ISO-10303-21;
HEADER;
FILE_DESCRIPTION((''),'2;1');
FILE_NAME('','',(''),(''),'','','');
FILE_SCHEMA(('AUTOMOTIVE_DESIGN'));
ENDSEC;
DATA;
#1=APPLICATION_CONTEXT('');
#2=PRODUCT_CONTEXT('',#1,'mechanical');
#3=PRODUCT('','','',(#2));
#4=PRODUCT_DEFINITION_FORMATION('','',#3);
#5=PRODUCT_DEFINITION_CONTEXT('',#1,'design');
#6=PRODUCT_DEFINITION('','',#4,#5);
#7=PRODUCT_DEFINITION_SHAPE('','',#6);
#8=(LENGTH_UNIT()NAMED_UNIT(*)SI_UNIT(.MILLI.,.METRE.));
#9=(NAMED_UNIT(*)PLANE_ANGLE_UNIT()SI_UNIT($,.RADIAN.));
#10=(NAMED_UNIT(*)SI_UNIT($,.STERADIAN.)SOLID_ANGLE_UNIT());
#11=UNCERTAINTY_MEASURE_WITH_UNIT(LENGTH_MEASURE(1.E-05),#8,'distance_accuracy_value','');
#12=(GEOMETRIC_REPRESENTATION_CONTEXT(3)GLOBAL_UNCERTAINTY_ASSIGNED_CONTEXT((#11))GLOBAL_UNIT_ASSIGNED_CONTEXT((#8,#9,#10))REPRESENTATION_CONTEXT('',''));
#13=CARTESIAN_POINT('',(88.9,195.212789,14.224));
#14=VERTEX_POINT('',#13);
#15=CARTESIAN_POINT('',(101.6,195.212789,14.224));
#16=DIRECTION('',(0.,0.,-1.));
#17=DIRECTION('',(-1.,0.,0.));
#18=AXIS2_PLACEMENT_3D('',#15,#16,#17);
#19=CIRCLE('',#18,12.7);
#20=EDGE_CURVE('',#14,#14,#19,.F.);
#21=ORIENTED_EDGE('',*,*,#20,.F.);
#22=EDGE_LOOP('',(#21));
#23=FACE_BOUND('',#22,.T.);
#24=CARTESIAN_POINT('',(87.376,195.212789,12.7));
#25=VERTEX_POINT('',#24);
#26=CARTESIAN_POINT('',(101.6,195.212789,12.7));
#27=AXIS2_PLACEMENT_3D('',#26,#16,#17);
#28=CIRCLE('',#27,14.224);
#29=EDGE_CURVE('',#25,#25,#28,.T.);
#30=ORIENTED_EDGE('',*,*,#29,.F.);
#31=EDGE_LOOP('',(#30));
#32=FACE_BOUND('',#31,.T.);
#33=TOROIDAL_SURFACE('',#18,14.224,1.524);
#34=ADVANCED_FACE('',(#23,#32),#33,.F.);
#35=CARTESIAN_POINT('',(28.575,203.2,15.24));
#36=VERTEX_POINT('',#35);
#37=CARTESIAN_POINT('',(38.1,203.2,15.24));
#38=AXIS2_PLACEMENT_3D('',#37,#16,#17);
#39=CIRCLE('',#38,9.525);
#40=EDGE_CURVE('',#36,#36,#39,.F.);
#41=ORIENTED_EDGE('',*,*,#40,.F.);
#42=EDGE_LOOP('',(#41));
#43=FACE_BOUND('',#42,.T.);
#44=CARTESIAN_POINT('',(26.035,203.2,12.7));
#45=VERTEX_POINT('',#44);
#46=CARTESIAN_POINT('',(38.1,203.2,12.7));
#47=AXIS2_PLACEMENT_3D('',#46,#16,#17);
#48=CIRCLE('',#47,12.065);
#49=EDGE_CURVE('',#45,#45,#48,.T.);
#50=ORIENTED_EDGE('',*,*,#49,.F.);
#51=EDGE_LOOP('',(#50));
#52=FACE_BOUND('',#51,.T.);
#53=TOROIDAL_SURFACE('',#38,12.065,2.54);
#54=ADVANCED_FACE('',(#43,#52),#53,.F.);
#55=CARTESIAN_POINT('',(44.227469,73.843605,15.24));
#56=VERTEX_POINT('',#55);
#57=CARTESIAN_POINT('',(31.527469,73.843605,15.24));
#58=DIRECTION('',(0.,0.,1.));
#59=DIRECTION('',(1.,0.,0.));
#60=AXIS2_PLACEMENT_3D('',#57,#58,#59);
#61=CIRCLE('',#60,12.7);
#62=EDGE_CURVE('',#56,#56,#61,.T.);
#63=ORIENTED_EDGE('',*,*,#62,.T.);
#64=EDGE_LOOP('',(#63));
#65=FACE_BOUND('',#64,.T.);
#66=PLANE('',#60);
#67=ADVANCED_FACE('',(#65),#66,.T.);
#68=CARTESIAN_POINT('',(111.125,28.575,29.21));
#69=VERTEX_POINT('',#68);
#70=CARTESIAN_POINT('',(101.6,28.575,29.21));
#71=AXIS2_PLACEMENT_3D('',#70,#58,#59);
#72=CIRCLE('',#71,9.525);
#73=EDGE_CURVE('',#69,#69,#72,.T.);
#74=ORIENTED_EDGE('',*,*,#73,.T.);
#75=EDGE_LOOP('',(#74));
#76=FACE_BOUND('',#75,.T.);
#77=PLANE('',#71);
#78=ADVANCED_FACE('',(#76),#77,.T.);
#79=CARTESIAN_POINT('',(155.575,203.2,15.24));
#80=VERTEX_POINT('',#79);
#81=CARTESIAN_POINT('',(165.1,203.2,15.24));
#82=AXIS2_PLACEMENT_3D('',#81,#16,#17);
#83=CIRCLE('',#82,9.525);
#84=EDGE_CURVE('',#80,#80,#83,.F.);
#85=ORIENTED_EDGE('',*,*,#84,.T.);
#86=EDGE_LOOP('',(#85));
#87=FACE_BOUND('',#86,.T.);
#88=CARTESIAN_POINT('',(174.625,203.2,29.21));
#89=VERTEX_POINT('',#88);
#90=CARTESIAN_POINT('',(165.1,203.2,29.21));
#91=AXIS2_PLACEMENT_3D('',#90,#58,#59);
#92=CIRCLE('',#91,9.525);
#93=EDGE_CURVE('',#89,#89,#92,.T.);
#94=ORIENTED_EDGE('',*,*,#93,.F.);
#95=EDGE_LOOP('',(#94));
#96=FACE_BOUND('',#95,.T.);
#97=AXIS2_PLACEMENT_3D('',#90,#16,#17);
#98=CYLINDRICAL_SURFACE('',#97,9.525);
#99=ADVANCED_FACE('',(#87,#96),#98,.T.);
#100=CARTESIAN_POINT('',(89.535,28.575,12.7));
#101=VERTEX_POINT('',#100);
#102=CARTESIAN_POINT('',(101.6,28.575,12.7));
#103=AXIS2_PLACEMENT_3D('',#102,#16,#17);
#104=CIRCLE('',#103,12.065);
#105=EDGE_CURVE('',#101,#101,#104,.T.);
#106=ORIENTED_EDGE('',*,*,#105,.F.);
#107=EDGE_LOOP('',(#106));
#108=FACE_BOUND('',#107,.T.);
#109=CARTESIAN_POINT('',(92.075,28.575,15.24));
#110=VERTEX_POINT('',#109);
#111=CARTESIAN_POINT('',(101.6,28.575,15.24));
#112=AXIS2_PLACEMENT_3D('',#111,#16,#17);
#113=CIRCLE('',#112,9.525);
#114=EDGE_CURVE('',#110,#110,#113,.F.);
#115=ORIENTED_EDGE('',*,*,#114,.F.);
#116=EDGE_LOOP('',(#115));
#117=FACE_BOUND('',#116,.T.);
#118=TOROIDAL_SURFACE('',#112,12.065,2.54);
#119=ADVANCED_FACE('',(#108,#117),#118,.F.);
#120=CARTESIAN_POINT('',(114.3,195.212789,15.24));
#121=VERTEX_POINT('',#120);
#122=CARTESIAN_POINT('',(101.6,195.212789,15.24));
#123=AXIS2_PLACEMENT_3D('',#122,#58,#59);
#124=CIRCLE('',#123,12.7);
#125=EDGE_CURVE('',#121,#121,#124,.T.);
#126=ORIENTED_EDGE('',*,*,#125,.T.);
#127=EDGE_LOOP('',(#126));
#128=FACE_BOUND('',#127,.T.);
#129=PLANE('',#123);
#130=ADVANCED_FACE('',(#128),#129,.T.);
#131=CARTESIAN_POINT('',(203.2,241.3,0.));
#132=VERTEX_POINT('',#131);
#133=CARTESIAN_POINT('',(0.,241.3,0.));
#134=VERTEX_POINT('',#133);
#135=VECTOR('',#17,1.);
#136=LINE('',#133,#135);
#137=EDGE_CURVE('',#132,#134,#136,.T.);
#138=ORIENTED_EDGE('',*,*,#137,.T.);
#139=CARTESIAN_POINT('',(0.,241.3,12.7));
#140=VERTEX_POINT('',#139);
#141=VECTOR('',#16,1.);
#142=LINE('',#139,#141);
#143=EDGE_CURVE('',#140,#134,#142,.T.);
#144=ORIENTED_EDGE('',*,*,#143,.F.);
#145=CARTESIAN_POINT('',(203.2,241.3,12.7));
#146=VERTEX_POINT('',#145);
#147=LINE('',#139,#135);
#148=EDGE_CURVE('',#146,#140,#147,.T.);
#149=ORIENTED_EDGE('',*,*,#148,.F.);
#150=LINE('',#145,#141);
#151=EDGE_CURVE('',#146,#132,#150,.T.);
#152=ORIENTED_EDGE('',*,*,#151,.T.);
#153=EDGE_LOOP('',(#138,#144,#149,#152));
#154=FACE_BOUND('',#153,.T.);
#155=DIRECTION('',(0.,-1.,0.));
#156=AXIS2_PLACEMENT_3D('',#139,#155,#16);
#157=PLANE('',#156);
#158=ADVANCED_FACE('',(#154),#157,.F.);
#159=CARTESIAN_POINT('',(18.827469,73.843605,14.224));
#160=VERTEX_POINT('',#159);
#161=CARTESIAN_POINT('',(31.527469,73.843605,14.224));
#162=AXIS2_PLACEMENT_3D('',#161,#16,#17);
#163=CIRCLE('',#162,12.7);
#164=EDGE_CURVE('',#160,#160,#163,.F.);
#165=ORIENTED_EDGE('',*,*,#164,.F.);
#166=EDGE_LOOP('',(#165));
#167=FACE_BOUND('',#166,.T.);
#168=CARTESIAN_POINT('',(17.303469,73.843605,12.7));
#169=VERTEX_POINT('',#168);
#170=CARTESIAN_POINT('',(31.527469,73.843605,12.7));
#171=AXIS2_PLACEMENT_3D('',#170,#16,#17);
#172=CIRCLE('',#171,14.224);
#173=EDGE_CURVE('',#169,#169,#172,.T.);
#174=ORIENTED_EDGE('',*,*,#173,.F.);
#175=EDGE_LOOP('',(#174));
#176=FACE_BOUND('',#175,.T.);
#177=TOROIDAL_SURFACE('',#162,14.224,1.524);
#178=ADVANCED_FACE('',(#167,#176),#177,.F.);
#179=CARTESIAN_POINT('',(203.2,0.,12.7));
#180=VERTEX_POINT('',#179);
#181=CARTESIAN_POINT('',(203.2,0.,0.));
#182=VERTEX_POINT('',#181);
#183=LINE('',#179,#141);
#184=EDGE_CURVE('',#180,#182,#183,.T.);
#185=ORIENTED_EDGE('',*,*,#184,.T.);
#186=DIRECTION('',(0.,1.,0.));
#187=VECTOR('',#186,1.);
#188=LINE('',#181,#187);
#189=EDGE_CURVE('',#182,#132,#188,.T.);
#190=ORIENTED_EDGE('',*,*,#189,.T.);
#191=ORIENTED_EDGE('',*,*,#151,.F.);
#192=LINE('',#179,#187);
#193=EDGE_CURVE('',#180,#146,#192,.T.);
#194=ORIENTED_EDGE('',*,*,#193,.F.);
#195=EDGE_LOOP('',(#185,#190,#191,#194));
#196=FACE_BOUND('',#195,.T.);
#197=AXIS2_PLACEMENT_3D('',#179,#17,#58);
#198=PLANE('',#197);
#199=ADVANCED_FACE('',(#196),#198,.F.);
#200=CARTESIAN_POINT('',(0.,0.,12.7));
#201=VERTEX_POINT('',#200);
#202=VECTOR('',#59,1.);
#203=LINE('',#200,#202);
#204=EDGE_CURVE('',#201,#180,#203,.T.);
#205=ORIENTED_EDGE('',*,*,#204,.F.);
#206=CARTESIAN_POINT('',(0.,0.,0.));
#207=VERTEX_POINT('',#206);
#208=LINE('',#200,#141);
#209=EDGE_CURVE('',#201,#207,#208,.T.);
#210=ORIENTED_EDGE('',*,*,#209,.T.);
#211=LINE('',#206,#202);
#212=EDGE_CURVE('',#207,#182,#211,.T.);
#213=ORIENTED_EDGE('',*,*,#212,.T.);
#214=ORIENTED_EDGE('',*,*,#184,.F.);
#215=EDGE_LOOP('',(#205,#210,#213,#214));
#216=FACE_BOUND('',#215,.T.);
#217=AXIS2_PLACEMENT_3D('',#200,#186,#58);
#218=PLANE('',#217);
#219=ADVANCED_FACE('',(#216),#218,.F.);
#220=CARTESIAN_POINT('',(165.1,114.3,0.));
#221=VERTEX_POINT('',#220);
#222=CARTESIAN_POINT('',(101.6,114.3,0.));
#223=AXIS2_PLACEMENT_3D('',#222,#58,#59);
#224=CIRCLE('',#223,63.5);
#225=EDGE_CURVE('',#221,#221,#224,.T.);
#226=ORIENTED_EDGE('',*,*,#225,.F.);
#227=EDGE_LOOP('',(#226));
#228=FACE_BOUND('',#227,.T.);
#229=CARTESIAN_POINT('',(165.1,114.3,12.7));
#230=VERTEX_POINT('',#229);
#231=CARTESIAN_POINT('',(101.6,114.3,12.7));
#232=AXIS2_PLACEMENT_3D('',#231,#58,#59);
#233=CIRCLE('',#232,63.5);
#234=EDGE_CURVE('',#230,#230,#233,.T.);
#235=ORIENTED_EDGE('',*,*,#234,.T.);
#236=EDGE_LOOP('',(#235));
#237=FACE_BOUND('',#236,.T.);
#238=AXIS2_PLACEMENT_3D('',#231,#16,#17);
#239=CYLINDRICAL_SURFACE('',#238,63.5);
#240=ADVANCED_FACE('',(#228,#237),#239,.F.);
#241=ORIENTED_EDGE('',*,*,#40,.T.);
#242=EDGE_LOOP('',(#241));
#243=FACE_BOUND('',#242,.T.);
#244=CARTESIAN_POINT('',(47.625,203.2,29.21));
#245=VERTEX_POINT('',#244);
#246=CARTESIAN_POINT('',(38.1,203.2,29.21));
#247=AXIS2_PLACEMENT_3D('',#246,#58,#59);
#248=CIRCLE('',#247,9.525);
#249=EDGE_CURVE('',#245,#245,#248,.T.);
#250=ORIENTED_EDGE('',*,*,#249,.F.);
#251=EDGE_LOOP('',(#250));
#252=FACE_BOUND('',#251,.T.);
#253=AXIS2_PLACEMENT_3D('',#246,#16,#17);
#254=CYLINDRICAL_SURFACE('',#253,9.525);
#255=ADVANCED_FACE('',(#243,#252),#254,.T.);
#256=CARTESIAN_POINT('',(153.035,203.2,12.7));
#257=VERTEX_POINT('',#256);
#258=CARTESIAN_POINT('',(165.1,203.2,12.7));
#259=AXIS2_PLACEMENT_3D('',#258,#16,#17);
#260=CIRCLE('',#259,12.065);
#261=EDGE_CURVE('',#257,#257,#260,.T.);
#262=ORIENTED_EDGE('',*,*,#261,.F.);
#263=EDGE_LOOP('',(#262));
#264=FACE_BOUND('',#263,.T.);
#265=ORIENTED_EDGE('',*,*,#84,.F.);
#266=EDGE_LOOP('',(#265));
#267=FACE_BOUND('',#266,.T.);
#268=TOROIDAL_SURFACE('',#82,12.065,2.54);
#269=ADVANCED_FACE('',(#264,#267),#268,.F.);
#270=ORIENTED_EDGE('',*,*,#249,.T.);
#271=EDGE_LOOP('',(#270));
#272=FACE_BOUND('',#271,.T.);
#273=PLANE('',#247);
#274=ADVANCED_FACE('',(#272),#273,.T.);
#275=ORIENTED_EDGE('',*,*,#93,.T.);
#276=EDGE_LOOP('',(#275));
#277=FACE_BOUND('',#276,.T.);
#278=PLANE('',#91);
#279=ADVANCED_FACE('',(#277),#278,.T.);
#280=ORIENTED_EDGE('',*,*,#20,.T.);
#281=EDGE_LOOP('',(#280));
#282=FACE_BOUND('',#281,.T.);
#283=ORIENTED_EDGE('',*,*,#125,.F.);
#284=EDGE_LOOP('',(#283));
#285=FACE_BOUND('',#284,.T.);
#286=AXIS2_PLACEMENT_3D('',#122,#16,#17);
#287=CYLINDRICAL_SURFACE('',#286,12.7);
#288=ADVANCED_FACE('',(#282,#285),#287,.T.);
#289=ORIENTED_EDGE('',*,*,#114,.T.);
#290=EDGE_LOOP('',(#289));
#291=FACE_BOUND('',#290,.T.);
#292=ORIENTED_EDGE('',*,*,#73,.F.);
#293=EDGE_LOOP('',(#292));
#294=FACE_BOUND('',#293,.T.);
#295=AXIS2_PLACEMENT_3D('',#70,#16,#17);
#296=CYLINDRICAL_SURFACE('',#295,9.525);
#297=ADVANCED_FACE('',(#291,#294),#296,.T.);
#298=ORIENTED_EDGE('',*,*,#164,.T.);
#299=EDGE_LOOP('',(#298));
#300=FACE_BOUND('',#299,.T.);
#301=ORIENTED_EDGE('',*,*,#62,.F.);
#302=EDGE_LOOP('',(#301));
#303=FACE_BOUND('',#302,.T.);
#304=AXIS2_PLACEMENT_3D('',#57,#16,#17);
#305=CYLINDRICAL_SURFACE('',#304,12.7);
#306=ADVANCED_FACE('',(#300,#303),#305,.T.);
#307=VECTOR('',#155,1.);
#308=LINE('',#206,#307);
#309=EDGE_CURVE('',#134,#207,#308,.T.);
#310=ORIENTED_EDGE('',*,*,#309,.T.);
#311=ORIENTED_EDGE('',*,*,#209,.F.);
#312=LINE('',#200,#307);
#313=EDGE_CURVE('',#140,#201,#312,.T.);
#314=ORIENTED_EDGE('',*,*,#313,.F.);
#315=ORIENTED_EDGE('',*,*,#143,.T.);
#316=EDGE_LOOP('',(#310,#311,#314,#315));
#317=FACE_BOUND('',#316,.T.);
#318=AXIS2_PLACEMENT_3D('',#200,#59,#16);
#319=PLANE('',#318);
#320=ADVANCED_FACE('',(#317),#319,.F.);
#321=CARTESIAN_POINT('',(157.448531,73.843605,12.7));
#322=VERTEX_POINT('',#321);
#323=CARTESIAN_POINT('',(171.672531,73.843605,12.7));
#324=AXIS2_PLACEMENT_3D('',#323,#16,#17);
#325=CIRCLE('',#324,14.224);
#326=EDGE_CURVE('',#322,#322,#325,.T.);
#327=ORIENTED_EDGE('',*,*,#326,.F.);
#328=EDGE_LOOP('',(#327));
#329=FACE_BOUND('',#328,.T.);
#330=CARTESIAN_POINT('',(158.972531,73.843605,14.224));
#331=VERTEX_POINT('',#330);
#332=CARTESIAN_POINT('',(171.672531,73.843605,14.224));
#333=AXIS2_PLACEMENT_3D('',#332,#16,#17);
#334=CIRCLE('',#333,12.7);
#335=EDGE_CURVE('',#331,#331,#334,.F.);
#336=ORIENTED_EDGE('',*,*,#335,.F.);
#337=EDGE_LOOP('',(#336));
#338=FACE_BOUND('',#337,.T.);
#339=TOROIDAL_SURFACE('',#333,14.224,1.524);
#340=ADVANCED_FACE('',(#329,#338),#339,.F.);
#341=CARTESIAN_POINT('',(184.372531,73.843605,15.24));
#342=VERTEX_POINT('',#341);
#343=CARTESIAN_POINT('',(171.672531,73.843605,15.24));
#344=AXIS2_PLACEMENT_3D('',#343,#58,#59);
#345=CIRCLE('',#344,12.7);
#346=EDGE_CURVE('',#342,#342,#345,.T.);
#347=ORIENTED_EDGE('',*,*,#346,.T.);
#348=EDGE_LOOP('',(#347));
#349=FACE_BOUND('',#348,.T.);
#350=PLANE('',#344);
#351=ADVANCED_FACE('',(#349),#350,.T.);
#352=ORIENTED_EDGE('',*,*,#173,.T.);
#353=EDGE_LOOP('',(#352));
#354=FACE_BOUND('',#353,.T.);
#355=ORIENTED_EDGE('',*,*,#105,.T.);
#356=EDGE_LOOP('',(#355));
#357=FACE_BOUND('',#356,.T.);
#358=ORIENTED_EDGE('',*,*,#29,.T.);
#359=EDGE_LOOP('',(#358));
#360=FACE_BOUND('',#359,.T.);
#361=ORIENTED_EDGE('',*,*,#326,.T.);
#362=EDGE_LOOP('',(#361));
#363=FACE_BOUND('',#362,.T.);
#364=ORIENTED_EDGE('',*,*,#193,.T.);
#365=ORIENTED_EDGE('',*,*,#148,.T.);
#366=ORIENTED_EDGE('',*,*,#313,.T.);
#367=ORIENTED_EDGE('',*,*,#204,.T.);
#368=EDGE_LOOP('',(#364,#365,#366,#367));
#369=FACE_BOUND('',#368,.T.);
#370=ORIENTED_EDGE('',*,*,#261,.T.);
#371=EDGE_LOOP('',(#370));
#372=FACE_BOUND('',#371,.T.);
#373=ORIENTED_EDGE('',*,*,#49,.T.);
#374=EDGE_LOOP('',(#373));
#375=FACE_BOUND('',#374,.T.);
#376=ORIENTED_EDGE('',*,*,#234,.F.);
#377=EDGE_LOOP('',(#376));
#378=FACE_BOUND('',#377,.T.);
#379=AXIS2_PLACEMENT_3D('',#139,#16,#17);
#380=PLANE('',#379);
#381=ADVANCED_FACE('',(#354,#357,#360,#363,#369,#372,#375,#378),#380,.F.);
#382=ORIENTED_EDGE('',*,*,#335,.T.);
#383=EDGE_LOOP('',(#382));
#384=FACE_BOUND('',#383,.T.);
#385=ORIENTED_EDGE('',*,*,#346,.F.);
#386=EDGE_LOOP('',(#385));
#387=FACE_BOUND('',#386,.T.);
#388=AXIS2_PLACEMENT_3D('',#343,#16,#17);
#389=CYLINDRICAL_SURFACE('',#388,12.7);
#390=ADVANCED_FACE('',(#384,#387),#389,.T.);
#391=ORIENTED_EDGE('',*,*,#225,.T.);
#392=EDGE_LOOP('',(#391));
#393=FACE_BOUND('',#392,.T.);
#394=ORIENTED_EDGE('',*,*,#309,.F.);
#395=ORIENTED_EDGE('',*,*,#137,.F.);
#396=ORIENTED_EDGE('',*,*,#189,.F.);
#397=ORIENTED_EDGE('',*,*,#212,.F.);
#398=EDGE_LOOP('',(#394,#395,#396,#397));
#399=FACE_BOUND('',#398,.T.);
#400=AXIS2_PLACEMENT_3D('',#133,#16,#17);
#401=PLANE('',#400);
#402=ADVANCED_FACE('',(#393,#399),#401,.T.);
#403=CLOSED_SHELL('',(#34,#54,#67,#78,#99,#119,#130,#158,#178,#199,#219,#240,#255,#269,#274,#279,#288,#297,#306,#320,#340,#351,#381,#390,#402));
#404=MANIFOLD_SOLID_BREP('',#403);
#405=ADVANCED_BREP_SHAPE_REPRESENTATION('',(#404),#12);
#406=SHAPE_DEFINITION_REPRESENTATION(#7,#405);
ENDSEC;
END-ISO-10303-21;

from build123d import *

# Parameters (mm, degrees)
SKETCH1_W           = 203.2
SKETCH1_H           = 241.3
SKETCH1_R           = 63.5
BASE_EXTRUDE_DEPTH  = 12.7
SKETCH3_R           = 12.7
BOSS_EXTRUDE2_DEPTH = 2.54
SKETCH4_R           = 9.525
BOSS_EXTRUDE4_DEPTH = 16.51
SKETCH5_R           = 9.525
BOSS_EXTRUDE5_DEPTH = 16.51
FILLET4_R           = 2.54
FILLET5_R           = 1.524


with BuildPart() as part:
    # Sketch1 → Base-Extrude (new body)
    with BuildSketch(Plane.XY):
        with Locations((101.6, 120.65)):
            Rectangle(SKETCH1_W, SKETCH1_H)
        with Locations((101.6, 114.3)):
            Circle(SKETCH1_R, mode=Mode.SUBTRACT)
    extrude(amount=BASE_EXTRUDE_DEPTH)

    # Sketch3 → Boss-Extrude2 (add)
    with BuildSketch(Plane.XY.offset(12.7)):
        with Locations((31.527468808, 73.843605253)):
            Circle(SKETCH3_R)
        with Locations((101.6, 195.212789493)):
            Circle(SKETCH3_R)
        with Locations((171.672531192, 73.843605253)):
            Circle(SKETCH3_R)
    extrude(amount=BOSS_EXTRUDE2_DEPTH)

    # Sketch4 → Boss-Extrude4 (add)
    with BuildSketch(Plane.XY.offset(12.7)):
        with Locations((38.1, 203.2)):
            Circle(SKETCH4_R)
        with Locations((165.1, 203.2)):
            Circle(SKETCH4_R)
    extrude(amount=BOSS_EXTRUDE4_DEPTH)

    # Sketch5 → Boss-Extrude5 (add)
    with BuildSketch(Plane.XY.offset(12.7)):
        with Locations((101.6, 28.575)):
            Circle(SKETCH5_R)
    extrude(amount=BOSS_EXTRUDE5_DEPTH)

    # Fillet4
    fillet4_edges = [part.edges().sort_by_distance(p)[0] for p in [
        (28.575, 203.2, 12.7),
        (155.575, 203.2, 12.7),
        (92.075, 28.575, 12.7),
    ]]
    fillet(fillet4_edges, radius=FILLET4_R)

    # Fillet5
    fillet5_edges = [part.edges().sort_by_distance(p)[0] for p in [
        (18.827468808, 73.843605253, 12.7),
        (88.9, 195.212789493, 12.7),
        (158.972531192, 73.843605253, 12.7),
    ]]
    fillet(fillet5_edges, radius=FILLET5_R)


solid = part.part
